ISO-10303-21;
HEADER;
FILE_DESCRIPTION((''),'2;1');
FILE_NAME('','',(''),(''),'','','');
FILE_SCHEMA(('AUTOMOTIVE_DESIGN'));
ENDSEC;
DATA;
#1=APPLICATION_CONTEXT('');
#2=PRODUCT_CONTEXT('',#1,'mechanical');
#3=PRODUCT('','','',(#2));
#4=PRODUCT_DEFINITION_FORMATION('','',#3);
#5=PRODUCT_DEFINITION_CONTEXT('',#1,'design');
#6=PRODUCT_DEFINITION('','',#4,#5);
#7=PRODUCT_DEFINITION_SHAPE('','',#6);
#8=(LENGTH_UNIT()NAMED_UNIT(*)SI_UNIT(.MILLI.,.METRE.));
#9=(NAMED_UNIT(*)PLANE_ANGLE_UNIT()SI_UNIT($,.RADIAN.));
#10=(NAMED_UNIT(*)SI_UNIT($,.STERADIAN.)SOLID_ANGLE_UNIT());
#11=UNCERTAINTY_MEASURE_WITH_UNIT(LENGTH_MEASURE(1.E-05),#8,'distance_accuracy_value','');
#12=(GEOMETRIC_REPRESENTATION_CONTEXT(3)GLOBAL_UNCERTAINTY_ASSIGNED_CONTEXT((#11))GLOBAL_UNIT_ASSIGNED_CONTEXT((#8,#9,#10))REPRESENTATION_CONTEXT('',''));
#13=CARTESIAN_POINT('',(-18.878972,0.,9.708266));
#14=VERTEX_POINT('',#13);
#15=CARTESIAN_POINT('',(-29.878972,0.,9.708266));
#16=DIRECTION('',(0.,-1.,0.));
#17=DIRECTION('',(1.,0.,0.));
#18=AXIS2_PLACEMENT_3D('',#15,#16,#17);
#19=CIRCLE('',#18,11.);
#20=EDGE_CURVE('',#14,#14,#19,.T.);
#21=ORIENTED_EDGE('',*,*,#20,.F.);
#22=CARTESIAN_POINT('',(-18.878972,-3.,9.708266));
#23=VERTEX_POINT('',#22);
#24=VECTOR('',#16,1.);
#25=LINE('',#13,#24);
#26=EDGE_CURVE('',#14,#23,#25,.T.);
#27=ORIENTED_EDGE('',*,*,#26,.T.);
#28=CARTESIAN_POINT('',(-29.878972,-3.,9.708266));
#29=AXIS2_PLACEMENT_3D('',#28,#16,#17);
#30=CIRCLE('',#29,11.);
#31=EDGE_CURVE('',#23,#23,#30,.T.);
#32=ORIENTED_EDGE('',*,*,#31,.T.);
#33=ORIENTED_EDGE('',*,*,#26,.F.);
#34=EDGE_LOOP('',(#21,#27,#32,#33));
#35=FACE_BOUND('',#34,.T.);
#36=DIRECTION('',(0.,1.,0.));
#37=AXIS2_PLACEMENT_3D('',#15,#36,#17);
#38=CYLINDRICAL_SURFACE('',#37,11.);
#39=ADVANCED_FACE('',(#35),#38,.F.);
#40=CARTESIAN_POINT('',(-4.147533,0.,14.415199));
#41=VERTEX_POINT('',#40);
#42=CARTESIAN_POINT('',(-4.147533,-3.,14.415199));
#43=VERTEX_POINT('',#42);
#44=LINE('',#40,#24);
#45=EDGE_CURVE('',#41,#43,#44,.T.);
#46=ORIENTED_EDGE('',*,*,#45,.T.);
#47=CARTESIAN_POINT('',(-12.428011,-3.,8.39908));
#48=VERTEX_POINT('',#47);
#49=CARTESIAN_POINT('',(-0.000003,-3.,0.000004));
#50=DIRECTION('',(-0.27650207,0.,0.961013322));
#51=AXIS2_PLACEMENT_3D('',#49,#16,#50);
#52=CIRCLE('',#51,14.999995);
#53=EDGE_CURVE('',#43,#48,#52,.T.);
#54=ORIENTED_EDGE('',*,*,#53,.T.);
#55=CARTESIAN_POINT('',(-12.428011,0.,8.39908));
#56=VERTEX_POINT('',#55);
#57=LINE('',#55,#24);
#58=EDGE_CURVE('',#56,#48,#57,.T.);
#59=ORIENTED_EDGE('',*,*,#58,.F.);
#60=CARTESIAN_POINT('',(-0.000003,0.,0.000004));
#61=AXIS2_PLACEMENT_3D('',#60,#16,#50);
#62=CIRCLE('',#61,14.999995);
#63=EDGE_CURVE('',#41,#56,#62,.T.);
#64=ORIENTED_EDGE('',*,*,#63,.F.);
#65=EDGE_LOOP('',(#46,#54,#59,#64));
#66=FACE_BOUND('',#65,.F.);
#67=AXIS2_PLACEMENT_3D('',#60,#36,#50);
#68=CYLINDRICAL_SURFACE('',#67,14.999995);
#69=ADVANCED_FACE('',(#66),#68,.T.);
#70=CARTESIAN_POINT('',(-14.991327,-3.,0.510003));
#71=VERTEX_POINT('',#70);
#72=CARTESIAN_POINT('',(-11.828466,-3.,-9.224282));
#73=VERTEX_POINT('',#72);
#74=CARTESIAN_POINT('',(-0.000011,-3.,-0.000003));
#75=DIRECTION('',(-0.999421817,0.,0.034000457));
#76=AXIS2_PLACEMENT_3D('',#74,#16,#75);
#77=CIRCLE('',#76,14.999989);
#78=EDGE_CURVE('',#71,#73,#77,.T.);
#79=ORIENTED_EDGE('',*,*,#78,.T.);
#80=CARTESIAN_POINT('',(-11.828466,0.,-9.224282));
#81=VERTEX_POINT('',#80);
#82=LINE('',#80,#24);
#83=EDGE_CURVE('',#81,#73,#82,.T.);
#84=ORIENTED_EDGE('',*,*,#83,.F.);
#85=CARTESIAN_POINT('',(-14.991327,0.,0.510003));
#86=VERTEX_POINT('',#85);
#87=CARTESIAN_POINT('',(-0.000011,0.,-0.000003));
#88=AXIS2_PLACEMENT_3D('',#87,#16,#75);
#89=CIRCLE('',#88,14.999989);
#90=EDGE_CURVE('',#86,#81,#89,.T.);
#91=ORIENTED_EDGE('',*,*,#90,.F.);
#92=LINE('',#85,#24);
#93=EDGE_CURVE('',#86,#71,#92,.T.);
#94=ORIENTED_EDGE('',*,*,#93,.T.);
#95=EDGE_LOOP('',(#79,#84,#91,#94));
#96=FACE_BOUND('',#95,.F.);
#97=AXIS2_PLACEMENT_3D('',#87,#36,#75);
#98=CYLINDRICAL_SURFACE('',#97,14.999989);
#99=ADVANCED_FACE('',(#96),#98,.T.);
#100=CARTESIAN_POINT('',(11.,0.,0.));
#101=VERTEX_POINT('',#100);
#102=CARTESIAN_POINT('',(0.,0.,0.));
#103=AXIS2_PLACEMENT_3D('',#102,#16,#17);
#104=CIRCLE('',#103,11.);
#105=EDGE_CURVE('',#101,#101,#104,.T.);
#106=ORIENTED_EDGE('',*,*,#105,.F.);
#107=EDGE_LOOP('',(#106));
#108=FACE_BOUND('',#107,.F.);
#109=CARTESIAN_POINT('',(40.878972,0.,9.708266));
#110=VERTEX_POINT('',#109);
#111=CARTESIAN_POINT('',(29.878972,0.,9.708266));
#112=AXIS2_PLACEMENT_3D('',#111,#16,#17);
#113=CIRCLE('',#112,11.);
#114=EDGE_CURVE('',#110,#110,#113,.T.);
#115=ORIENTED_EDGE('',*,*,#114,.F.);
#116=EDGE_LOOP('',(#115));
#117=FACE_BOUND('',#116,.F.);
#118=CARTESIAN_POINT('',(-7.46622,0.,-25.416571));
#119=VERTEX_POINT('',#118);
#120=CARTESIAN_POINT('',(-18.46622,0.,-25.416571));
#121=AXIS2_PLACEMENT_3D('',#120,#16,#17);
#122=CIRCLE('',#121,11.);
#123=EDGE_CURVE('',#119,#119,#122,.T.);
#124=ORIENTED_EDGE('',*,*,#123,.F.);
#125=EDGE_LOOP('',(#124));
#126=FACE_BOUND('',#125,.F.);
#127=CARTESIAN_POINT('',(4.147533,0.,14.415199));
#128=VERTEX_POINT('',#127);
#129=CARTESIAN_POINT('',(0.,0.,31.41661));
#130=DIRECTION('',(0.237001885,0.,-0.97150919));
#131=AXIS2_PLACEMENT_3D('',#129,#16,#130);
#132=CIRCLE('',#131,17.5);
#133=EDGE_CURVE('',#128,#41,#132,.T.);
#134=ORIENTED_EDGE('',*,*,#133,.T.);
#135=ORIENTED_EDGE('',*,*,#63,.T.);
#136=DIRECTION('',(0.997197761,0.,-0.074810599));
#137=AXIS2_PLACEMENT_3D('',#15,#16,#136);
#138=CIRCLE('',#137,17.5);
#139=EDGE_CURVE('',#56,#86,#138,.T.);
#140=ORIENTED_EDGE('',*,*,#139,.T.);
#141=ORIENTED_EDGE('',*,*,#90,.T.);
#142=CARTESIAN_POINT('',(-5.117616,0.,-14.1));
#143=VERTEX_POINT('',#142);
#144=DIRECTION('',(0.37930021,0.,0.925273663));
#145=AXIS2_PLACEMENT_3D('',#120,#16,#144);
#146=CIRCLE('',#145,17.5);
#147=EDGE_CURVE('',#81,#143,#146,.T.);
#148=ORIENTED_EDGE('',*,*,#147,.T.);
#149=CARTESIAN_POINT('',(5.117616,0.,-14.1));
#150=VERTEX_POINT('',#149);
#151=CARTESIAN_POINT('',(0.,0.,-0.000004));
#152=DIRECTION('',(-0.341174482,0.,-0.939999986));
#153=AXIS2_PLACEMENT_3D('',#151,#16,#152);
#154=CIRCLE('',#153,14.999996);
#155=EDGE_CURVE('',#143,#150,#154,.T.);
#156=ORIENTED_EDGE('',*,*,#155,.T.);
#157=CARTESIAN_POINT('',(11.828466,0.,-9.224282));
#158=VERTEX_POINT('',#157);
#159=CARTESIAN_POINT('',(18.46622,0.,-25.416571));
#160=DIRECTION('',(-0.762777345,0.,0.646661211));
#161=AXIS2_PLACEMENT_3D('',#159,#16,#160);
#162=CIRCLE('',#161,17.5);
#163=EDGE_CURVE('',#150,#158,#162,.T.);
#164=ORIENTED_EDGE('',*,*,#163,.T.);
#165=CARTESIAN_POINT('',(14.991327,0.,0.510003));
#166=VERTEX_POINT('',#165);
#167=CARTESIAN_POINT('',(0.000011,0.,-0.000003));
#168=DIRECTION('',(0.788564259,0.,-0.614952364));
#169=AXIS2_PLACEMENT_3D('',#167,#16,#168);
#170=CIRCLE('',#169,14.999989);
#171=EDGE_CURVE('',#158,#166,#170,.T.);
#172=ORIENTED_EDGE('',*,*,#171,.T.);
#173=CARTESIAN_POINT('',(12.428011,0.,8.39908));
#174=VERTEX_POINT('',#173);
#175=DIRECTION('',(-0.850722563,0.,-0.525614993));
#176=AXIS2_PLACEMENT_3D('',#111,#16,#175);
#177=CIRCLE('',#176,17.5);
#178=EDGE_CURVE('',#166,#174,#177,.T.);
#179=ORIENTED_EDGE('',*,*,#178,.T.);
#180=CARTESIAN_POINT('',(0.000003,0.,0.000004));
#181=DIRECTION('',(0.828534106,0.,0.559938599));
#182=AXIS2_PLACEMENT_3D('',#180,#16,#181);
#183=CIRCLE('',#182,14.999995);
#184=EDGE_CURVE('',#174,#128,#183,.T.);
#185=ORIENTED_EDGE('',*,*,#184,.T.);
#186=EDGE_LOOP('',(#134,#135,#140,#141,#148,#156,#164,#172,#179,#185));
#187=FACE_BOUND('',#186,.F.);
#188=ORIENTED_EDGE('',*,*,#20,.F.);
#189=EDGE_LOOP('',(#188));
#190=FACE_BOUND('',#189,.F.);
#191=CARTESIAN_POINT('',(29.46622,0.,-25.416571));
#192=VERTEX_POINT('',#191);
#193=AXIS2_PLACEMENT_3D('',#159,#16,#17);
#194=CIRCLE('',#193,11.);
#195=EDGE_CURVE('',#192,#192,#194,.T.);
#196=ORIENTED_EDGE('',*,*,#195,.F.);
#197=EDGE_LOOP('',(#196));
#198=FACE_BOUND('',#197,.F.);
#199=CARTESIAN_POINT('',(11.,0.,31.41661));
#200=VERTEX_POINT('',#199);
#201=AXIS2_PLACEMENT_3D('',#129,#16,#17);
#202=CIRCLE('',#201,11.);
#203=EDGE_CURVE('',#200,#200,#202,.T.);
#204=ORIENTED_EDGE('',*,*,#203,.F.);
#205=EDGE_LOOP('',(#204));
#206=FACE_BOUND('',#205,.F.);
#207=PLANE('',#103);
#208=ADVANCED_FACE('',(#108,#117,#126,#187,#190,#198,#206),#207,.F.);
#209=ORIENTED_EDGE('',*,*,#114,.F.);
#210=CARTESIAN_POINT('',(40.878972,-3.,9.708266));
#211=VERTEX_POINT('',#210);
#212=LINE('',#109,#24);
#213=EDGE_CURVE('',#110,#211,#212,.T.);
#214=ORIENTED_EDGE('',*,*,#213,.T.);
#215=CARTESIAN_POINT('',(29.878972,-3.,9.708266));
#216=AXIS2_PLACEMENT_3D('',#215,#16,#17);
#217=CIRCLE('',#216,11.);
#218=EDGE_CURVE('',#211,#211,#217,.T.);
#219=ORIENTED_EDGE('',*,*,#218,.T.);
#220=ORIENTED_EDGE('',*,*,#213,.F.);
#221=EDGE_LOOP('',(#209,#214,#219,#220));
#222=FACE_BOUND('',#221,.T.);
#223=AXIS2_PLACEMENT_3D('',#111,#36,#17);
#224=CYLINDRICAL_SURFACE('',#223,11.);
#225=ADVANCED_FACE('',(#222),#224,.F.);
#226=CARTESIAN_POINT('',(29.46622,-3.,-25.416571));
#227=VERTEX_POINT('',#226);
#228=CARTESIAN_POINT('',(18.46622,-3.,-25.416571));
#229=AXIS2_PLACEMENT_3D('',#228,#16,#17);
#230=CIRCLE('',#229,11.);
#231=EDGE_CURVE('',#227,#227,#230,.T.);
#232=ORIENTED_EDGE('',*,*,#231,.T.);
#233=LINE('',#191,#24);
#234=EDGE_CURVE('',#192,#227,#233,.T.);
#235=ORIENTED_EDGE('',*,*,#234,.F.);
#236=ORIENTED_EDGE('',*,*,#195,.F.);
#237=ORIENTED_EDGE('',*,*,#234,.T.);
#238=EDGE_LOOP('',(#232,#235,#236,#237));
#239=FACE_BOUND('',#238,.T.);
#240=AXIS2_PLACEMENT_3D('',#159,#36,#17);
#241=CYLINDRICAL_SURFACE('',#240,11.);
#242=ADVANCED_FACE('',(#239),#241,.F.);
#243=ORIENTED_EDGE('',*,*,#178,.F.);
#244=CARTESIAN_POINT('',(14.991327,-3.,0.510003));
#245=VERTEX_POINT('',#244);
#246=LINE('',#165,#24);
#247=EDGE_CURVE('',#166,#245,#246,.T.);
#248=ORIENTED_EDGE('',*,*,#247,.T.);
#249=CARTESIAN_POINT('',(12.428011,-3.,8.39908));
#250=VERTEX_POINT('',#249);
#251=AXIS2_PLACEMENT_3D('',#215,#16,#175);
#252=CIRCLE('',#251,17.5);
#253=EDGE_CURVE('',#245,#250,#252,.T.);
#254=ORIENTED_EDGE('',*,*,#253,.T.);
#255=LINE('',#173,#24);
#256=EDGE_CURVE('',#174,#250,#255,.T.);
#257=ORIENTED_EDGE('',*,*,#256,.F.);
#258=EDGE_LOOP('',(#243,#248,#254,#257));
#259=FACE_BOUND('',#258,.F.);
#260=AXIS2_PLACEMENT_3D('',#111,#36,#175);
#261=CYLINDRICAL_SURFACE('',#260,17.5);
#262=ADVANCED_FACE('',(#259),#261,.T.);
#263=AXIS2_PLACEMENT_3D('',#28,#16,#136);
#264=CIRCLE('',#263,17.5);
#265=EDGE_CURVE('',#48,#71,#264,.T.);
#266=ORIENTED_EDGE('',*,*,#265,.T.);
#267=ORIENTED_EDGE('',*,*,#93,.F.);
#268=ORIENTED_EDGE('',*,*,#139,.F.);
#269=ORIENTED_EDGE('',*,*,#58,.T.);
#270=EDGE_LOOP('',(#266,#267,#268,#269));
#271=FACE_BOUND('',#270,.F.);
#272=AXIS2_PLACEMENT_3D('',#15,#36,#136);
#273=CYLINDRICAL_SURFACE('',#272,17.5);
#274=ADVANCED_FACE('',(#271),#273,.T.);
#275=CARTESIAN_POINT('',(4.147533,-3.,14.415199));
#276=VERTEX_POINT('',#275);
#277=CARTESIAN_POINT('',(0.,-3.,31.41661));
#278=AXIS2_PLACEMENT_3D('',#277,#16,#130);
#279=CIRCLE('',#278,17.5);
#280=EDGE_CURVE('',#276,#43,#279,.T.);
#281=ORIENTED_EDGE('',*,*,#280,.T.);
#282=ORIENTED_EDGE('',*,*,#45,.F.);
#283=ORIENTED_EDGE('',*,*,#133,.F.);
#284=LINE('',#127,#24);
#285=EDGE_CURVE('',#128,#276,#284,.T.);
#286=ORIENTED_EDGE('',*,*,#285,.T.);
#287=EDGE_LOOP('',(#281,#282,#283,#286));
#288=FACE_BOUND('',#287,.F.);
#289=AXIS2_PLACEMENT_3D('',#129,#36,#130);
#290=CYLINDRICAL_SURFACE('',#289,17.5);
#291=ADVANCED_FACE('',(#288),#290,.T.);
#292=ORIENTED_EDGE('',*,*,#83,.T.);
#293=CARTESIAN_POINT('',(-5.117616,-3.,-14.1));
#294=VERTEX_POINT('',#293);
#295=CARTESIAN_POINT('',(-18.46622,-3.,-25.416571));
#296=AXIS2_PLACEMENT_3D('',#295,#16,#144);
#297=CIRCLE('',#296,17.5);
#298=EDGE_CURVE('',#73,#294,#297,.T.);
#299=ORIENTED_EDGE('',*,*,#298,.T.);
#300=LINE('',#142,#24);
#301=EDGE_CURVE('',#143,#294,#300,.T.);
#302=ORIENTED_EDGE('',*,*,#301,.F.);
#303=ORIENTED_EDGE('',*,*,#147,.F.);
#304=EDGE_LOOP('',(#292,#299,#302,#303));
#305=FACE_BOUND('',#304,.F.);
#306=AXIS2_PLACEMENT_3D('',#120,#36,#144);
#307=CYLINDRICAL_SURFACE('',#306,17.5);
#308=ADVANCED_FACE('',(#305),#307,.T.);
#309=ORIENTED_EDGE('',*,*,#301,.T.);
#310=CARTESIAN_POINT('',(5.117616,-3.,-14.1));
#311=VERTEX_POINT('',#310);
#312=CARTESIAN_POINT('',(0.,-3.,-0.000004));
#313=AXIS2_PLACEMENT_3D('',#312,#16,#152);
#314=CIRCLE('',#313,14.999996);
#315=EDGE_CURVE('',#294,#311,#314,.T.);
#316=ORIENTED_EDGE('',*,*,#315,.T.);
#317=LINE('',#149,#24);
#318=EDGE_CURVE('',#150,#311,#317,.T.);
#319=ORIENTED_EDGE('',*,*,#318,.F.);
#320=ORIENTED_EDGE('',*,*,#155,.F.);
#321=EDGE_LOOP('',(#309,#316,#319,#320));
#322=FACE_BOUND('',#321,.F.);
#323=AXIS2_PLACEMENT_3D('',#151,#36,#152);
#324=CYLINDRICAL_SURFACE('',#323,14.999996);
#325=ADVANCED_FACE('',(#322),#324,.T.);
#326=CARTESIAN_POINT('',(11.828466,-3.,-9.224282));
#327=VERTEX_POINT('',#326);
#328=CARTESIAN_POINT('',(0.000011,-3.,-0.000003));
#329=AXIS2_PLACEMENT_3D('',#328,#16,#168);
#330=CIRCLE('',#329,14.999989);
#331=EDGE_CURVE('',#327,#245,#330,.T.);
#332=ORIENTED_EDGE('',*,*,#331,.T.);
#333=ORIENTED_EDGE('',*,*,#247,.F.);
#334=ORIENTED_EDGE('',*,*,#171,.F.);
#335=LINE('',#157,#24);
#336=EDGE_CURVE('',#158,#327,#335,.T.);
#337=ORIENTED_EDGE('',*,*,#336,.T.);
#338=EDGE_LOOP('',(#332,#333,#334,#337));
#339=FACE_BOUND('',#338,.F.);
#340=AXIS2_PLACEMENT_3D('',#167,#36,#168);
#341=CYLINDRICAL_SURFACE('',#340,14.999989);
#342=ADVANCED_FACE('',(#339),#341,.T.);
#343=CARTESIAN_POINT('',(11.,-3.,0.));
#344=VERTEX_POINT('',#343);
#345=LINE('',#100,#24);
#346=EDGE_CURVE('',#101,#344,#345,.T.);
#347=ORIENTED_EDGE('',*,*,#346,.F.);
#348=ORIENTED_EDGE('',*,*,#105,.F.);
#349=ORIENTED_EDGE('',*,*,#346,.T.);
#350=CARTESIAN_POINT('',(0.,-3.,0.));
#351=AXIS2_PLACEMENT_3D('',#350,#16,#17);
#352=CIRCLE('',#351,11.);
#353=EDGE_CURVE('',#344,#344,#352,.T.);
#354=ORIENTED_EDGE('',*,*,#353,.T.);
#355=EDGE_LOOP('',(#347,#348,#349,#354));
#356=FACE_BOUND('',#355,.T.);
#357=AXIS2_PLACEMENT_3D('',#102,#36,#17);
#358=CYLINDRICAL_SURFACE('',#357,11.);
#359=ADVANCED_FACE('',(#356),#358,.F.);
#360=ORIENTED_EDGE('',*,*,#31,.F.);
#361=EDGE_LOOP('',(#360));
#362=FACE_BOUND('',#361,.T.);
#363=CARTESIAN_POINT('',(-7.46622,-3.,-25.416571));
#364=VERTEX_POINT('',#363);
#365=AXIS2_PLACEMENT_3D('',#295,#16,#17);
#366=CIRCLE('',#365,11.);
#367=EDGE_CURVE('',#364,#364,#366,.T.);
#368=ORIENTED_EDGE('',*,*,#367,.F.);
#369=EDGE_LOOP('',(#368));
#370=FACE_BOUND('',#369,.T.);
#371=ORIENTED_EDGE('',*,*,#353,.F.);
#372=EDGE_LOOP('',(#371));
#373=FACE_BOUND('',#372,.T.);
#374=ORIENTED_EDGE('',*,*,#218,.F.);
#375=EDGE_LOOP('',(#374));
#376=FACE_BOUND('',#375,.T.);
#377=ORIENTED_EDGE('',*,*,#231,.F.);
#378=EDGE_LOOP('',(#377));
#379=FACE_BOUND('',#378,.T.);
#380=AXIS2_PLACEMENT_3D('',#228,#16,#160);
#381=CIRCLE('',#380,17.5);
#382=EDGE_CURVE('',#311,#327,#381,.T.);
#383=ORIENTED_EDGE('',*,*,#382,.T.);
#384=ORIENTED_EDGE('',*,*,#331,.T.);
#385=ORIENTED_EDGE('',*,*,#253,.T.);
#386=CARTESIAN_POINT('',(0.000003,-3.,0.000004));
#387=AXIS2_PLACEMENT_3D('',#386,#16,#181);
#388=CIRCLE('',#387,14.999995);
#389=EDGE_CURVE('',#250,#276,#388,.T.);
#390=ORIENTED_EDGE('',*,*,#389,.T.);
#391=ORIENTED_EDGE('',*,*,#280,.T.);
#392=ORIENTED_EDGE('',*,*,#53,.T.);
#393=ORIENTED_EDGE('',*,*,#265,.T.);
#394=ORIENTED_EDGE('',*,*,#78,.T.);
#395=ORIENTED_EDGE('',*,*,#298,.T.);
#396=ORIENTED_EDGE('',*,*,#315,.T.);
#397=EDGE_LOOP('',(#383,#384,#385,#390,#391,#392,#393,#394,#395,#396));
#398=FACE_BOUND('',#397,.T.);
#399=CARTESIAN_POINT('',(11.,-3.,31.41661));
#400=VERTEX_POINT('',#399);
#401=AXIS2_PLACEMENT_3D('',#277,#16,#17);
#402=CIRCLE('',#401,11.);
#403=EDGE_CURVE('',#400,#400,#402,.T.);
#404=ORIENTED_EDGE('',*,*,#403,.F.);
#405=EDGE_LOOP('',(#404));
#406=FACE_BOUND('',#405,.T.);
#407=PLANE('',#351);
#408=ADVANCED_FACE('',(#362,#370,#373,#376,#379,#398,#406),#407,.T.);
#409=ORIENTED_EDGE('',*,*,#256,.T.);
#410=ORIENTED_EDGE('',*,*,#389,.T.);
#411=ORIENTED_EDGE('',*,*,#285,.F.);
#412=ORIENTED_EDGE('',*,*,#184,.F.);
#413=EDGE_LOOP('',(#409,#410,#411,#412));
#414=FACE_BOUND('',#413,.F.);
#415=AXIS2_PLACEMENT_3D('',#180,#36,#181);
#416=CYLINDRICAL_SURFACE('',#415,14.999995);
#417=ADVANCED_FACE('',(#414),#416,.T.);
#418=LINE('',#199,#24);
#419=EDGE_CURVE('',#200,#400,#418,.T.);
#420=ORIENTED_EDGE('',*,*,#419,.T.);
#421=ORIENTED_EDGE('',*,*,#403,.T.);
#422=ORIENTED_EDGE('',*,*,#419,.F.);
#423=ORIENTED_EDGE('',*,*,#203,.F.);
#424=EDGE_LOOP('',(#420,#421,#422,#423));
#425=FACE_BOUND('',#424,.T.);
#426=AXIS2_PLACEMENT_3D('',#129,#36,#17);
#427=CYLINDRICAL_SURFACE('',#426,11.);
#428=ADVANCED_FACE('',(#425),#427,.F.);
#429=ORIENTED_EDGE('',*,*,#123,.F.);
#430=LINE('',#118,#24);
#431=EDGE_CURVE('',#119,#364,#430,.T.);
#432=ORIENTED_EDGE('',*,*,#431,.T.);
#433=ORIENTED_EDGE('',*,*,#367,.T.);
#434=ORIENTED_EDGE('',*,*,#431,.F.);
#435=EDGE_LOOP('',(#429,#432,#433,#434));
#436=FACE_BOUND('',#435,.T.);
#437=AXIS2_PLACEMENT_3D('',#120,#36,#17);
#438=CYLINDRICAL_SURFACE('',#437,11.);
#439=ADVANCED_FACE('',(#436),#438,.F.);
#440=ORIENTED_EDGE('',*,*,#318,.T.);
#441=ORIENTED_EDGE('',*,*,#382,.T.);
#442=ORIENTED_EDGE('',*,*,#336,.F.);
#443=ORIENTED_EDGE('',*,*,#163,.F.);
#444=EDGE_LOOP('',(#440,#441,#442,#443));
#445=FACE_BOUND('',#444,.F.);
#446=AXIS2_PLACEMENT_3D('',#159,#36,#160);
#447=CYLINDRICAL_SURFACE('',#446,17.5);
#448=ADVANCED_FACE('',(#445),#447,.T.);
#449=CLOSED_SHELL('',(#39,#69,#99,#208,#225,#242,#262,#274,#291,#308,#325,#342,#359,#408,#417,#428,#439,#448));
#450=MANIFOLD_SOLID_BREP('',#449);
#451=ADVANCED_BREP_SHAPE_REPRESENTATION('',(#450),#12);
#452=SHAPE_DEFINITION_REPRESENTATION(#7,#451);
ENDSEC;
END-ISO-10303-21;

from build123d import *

# Parameters (mm, degrees)
F0_R     = 11
F1_DEPTH = 3


with BuildPart() as f1:
    # F0 (on Front) → F1 (new body)
    with BuildSketch(Plane.XZ):
        with BuildLine():
            ThreePointArc((4.147533, 14.415199), (0, 48.91661), (-4.147533, 14.415199))
            ThreePointArc((-4.147533, 14.415199), (-8.816779, 12.135255), (-12.428011, 8.39908))
            ThreePointArc((-12.428011, 8.39908), (-46.522461, 15.116064), (-14.991327, 0.510003))
            ThreePointArc((-14.991327, 0.510003), (-14.265848, -4.635255), (-11.828466, -9.224282))
            ThreePointArc((-11.828466, -9.224282), (-28.752462, -39.574369), (-5.117616, -14.1))
            ThreePointArc((-5.117616, -14.1), (0, -15), (5.117616, -14.1))
            ThreePointArc((5.117616, -14.1), (28.752462, -39.574369), (11.828466, -9.224282))
            ThreePointArc((11.828466, -9.224282), (14.265848, -4.635255), (14.991327, 0.510003))
            ThreePointArc((14.991327, 0.510003), (46.522461, 15.116064), (12.428011, 8.39908))
            ThreePointArc((12.428011, 8.39908), (8.816779, 12.135255), (4.147533, 14.415199))
        make_face()
        with Locations((-18.46622, -25.416571)):
            Circle(F0_R, mode=Mode.SUBTRACT)
        Circle(F0_R, mode=Mode.SUBTRACT)
        with Locations((18.46622, -25.416571)):
            Circle(F0_R, mode=Mode.SUBTRACT)
        with Locations((-29.878972, 9.708266)):
            Circle(F0_R, mode=Mode.SUBTRACT)
        with Locations((0, 31.41661)):
            Circle(F0_R, mode=Mode.SUBTRACT)
        with Locations((29.878972, 9.708266)):
            Circle(F0_R, mode=Mode.SUBTRACT)
    extrude(amount=F1_DEPTH)


solid = f1.part
